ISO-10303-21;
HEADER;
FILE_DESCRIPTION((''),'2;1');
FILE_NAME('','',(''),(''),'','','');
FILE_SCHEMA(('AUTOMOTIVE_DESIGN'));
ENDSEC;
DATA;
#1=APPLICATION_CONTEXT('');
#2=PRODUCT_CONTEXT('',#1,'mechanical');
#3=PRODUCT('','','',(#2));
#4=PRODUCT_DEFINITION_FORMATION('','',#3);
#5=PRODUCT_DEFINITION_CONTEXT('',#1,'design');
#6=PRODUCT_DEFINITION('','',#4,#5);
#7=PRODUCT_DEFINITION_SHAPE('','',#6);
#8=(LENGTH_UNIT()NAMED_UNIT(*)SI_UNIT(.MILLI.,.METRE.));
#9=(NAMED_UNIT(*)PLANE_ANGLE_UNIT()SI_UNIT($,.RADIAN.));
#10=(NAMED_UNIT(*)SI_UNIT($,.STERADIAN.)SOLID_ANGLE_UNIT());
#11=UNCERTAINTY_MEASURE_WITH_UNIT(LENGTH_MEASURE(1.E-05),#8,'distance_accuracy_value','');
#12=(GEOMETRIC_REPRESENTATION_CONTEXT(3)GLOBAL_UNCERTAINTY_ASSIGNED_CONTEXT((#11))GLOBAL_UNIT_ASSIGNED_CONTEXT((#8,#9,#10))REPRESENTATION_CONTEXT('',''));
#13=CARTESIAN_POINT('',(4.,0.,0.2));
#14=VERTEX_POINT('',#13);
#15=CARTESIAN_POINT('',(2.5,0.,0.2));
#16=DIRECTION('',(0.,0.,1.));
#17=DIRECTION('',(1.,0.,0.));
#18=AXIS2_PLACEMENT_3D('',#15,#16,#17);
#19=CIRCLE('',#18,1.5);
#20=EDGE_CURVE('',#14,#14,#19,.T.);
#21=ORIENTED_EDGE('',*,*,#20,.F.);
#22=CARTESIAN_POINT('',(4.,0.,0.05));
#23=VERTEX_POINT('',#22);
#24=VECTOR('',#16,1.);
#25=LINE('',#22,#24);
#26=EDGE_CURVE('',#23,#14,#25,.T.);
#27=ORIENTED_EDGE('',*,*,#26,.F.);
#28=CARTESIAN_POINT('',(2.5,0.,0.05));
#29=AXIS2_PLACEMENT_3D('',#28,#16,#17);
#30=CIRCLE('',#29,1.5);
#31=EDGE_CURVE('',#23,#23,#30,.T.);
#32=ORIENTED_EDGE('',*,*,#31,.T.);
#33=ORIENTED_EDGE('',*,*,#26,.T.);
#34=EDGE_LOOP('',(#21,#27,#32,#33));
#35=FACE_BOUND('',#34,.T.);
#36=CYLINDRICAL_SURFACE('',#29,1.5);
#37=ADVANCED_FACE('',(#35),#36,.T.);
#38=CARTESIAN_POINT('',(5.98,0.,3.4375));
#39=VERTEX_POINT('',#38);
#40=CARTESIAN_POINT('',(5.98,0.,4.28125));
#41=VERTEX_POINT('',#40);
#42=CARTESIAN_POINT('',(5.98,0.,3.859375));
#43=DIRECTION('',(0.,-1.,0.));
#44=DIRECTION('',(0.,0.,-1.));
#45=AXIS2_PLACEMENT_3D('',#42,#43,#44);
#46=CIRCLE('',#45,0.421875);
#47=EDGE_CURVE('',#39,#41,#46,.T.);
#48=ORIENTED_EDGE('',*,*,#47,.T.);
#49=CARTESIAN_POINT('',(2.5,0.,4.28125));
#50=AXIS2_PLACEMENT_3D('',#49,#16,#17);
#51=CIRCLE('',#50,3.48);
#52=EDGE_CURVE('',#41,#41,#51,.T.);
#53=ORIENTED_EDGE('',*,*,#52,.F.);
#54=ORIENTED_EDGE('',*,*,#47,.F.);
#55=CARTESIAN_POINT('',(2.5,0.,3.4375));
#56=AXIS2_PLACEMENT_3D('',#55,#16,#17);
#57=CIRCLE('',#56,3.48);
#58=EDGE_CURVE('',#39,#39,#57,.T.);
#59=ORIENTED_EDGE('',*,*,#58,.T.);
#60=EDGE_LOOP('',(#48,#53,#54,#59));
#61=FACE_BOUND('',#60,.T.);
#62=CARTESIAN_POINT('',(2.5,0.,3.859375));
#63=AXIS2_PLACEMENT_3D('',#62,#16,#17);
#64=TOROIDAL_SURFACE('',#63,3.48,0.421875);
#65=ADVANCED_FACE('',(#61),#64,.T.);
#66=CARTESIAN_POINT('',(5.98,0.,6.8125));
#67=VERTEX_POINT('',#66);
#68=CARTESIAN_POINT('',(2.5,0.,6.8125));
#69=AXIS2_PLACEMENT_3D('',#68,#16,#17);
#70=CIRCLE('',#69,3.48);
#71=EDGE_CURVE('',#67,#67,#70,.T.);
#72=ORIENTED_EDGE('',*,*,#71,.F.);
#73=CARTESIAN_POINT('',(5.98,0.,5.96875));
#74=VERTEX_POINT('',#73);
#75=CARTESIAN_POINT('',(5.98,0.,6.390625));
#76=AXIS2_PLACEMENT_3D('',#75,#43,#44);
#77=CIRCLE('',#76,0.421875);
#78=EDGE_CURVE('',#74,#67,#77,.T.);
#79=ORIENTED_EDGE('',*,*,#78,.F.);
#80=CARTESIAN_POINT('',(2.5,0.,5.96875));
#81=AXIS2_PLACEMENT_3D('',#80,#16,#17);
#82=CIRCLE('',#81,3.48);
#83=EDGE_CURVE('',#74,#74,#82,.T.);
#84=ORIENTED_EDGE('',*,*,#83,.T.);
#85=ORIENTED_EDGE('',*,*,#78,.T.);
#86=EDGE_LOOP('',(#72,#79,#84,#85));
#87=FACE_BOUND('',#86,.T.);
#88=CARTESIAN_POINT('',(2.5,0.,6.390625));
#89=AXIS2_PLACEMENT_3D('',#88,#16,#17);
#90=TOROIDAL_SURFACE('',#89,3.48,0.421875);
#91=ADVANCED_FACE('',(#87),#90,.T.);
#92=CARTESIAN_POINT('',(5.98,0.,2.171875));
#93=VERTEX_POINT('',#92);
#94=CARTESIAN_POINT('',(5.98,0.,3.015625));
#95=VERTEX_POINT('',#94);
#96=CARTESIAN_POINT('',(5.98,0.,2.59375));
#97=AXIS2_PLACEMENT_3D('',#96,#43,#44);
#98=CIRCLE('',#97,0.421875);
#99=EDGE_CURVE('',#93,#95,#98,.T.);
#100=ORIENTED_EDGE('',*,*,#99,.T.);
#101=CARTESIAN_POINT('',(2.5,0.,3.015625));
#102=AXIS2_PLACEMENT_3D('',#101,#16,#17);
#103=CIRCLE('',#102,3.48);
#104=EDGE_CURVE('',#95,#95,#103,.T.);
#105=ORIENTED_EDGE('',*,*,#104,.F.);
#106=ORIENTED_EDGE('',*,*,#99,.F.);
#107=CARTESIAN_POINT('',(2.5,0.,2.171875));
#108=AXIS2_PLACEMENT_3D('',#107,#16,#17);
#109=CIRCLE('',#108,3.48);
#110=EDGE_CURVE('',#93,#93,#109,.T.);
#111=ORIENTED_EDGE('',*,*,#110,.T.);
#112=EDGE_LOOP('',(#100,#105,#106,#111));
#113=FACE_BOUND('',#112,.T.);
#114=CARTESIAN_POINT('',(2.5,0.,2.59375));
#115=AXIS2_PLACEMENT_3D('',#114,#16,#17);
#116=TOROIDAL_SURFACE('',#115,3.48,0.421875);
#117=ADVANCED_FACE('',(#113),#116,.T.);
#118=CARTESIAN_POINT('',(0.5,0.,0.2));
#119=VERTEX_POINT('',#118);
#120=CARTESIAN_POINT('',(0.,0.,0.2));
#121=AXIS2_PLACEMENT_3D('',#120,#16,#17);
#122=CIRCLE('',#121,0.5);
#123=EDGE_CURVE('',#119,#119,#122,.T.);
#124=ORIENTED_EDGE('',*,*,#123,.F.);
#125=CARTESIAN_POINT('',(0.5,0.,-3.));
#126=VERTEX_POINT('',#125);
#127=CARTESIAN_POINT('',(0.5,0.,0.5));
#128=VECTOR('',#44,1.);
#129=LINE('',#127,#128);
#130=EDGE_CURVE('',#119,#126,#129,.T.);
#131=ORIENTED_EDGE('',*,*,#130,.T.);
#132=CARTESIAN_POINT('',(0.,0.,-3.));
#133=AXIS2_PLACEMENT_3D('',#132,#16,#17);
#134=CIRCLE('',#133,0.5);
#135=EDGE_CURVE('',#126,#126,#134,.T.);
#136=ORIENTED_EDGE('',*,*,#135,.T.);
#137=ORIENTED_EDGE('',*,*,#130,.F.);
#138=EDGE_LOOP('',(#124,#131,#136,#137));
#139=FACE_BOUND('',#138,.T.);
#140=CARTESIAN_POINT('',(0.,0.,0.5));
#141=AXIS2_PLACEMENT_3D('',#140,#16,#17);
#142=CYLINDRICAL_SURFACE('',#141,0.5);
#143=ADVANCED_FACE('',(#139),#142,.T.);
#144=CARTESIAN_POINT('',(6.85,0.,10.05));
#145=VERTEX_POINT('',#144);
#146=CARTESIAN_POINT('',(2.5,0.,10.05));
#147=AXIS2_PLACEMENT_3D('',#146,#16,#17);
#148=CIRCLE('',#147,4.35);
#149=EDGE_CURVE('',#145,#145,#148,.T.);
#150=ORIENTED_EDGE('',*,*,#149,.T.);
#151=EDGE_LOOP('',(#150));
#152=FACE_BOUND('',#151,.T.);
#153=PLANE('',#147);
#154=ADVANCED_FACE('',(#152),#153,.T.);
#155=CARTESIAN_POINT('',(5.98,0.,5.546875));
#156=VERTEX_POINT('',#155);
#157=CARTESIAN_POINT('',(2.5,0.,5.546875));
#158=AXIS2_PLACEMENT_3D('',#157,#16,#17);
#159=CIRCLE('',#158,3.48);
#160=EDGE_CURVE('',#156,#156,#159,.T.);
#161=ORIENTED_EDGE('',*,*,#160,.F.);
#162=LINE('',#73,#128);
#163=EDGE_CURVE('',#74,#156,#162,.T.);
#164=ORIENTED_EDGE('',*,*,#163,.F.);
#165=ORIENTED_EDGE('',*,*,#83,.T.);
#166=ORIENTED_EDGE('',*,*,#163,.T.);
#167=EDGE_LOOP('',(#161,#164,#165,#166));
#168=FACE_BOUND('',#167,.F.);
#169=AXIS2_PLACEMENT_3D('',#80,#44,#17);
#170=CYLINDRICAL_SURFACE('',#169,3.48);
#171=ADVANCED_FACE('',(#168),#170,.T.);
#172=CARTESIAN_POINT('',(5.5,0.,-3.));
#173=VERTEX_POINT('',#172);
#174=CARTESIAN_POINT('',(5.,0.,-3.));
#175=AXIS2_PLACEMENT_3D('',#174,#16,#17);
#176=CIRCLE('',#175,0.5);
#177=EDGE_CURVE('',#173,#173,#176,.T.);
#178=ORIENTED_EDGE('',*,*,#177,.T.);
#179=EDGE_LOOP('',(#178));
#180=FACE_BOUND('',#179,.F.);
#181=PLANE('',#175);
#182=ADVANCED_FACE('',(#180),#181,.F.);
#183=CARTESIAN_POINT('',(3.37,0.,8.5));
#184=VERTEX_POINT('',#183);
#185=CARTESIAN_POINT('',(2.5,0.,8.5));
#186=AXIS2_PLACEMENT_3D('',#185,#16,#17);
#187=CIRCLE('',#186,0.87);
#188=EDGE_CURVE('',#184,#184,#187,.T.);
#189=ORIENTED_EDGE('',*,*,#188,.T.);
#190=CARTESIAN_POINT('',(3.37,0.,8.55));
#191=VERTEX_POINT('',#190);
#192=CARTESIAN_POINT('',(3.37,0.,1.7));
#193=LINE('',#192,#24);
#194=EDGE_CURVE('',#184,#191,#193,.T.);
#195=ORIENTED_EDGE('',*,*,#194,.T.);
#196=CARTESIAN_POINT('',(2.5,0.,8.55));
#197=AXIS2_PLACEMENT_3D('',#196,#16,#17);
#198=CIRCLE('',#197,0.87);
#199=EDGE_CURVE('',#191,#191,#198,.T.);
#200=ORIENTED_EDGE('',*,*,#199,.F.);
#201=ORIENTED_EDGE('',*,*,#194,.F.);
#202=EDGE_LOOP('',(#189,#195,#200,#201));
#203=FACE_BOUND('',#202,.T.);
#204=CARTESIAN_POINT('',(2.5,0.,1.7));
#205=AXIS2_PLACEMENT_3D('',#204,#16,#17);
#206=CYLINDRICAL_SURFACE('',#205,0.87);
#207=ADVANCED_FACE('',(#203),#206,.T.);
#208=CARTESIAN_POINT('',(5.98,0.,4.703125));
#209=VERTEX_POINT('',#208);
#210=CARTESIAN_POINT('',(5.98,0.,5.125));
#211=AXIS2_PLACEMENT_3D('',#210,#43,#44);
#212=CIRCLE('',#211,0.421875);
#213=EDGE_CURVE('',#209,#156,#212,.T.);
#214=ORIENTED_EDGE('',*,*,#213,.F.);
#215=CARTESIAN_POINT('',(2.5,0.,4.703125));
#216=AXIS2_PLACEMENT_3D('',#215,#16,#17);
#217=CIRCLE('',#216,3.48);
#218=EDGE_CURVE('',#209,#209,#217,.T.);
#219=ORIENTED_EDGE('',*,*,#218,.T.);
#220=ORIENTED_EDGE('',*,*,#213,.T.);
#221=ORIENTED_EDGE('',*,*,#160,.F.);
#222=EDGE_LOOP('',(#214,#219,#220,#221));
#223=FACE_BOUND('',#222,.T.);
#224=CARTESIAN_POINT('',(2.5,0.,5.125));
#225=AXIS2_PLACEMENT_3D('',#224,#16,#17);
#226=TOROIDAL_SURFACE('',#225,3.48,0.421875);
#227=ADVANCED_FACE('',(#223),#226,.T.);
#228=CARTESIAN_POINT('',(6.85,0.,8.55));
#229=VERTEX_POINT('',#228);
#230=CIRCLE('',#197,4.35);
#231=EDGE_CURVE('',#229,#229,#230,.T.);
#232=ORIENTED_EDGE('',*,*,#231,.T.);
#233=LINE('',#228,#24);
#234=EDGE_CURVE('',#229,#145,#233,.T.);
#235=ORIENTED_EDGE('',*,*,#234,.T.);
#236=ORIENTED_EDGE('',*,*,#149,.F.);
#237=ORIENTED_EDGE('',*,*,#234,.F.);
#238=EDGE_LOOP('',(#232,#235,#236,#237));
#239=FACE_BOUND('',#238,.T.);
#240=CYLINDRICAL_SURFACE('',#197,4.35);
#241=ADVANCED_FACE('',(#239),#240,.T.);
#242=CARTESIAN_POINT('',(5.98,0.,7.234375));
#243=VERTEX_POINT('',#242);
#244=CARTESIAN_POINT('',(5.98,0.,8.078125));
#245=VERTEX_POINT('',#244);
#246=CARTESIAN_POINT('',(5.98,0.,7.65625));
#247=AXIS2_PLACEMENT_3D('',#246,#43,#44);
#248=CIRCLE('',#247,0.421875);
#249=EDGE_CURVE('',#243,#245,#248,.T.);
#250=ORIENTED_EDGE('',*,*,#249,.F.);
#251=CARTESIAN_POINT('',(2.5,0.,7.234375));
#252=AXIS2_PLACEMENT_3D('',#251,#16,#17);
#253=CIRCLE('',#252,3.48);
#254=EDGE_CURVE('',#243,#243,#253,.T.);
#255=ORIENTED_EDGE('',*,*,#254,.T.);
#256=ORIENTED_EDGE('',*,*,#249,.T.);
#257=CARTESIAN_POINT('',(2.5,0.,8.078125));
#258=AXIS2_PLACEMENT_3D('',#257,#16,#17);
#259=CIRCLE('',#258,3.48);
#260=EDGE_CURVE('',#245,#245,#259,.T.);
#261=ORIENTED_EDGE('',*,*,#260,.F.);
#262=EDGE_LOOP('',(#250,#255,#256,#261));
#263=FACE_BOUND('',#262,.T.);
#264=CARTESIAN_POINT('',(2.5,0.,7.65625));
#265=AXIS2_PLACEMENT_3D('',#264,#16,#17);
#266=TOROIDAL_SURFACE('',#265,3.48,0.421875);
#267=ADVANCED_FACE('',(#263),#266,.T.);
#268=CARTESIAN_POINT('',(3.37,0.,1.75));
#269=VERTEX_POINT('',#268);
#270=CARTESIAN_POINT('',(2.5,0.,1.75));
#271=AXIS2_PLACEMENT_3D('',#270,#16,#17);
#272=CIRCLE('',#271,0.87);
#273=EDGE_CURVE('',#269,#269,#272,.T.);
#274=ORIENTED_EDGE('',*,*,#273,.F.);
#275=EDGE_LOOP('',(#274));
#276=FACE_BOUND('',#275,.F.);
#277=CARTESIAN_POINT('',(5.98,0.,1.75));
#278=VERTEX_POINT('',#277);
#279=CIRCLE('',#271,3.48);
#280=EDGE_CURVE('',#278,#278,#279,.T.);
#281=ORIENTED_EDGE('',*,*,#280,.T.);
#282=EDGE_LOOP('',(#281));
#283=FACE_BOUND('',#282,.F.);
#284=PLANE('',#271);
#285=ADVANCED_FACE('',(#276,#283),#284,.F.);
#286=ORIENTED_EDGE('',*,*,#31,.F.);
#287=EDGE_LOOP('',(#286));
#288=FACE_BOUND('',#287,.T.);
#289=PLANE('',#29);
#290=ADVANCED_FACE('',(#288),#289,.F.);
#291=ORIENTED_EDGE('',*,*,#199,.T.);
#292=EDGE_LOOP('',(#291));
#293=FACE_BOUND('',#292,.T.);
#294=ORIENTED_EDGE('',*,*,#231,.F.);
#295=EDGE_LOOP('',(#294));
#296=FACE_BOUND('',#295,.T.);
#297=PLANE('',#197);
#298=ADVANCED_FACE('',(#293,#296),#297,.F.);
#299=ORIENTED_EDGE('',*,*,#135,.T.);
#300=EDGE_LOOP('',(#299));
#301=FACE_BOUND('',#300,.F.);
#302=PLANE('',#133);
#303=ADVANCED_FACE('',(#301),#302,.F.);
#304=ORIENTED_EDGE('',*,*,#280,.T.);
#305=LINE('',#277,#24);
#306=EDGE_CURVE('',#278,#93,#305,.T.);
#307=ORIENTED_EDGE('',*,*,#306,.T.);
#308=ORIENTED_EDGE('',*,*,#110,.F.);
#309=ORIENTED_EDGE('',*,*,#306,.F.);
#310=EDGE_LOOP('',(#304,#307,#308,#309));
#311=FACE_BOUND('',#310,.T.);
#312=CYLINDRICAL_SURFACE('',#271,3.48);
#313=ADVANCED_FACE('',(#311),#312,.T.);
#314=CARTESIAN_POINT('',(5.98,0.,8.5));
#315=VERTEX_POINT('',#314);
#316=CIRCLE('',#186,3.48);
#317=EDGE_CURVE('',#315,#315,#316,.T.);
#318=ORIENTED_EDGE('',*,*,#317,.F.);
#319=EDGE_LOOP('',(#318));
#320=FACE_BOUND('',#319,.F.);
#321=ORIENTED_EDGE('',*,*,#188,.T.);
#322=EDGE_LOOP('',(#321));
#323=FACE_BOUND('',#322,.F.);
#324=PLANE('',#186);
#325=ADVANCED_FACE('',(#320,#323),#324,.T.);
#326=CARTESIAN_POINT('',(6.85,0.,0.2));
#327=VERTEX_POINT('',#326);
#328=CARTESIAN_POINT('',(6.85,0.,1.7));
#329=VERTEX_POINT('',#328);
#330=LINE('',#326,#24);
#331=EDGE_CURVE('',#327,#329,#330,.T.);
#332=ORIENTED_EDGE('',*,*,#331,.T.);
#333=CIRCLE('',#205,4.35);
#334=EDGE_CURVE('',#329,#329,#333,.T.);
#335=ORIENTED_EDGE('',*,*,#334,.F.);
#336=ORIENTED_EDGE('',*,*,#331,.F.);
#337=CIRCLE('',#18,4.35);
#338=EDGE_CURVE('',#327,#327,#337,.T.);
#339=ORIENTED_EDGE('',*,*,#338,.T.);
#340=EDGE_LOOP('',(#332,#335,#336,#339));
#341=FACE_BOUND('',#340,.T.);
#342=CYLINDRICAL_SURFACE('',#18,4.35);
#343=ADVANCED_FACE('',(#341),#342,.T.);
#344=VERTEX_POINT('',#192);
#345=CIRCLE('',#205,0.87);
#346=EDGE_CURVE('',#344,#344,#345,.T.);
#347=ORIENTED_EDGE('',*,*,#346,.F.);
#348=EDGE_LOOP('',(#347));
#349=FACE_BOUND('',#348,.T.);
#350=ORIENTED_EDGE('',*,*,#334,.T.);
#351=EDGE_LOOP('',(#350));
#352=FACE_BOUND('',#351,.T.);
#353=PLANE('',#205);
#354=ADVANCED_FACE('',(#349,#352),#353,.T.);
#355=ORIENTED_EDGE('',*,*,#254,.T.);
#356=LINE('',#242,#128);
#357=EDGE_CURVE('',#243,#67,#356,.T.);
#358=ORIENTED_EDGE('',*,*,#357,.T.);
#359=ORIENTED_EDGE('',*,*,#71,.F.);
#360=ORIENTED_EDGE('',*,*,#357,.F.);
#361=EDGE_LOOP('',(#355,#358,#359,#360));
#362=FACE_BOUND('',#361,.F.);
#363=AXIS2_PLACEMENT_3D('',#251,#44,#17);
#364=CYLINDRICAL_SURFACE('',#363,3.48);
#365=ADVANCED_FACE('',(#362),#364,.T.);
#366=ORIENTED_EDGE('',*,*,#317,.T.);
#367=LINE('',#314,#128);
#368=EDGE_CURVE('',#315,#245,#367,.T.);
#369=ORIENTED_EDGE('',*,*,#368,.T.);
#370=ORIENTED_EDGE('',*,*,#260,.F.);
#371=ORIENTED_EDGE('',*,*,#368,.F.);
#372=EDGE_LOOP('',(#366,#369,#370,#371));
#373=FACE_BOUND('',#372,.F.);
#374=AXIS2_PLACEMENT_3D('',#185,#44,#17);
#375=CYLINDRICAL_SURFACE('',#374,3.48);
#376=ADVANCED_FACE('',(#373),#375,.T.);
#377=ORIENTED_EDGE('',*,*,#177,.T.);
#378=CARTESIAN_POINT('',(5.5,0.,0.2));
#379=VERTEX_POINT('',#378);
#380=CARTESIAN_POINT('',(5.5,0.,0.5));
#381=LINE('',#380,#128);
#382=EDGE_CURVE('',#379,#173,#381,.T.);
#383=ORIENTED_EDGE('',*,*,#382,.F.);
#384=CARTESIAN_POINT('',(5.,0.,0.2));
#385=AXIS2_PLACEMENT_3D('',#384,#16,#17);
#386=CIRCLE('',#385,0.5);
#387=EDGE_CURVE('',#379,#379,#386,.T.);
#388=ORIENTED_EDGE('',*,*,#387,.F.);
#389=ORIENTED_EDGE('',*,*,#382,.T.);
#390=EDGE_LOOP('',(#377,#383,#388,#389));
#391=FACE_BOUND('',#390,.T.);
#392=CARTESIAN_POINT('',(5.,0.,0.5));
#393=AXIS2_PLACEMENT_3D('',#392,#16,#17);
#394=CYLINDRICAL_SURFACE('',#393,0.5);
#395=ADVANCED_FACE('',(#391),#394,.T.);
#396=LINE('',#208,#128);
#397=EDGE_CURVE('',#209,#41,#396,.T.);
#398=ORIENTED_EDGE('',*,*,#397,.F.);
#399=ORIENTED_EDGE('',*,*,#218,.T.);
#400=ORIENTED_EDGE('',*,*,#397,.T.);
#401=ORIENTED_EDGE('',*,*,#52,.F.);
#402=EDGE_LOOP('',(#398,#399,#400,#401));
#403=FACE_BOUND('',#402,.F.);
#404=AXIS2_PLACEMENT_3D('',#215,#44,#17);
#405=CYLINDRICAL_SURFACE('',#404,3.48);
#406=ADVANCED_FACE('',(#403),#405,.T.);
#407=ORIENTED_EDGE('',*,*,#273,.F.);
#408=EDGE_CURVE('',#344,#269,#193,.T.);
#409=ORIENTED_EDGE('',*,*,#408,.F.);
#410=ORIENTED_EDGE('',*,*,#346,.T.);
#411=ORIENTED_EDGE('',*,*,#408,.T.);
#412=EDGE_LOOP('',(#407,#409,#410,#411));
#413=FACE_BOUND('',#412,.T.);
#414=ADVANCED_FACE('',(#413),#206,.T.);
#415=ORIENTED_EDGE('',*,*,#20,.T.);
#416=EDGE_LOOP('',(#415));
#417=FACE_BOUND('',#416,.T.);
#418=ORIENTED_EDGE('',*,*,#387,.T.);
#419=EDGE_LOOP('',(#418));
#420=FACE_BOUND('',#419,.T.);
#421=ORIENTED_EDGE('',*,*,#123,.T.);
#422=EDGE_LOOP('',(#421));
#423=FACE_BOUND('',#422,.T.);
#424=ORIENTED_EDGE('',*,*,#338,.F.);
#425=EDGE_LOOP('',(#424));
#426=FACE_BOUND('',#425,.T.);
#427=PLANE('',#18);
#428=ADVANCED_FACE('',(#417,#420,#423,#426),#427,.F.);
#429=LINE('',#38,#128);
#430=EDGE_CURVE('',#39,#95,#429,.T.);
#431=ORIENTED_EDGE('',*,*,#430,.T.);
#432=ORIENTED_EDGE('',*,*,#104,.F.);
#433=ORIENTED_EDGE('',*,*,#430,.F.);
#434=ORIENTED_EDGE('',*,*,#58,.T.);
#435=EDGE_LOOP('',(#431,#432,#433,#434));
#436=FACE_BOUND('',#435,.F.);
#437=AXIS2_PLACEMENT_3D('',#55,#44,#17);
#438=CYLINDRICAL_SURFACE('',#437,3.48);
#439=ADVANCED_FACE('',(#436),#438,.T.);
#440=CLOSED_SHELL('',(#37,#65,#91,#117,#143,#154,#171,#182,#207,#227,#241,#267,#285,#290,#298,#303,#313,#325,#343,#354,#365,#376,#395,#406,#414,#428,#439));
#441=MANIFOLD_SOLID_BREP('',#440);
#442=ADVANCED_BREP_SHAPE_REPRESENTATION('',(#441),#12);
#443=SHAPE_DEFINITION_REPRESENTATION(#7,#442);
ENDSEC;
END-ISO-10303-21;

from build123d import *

# Parameters (mm, degrees)
SKETCH001_R  = 0.5
PAD001_DEPTH = 3.5


with BuildPart() as revolution:
    # Sketch → Revolution (revolve)
    with BuildSketch(Plane(origin=(2.5, 0, 0), x_dir=(1, 0, 0), z_dir=(0, -1, 0))):
        Polygon((0, 0.05), (1.5, 0.05), (1.5, 0.2), (4.35, 0.2), (4.35, 1.7), (0.87, 1.7), (0.87, 8.55), (4.35, 8.55), (4.35, 10.05), (0, 10.05), align=None)
    revolve(axis=Axis((2.5, 0, 0), (0, 0, 1)))


with BuildPart() as pad001:
    # Sketch001 → Pad001 (new body)
    with BuildSketch(Plane.XY.offset(0.5)):
        Circle(SKETCH001_R)
        with Locations((5, 0)):
            Circle(SKETCH001_R)
    extrude(amount=-PAD001_DEPTH)


with BuildPart() as l_radial_d8_7mm_p5_00mm_fastron_07hcp:
    # Sketch002 → Revolution001 (revolve)
    with BuildSketch(Plane(origin=(2.5, 0, 0), x_dir=(1, 0, 0), z_dir=(0, -1, 0))):
        with BuildLine():
            Line((3.48, 1.75), (0.87, 1.75))
            Line((0.87, 1.75), (0.87, 8.5))
            Line((0.87, 8.5), (3.48, 8.5))
            Line((3.48, 8.5), (3.48, 8.078125))
            ThreePointArc((3.48, 7.234375), (3.901875, 7.65625), (3.48, 8.078125))
            Line((3.48, 7.234375), (3.48, 6.8125))
            ThreePointArc((3.48, 5.96875), (3.901875, 6.390625), (3.48, 6.8125))
            Line((3.48, 5.96875), (3.48, 5.546875))
            ThreePointArc((3.48, 4.703125), (3.901875, 5.125), (3.48, 5.546875))
            Line((3.48, 4.703125), (3.48, 4.28125))
            ThreePointArc((3.48, 3.4375), (3.901875, 3.859375), (3.48, 4.28125))
            Line((3.48, 3.4375), (3.48, 3.015625))
            ThreePointArc((3.48, 2.171875), (3.901875, 2.59375), (3.48, 3.015625))
            Line((3.48, 1.75), (3.48, 2.171875))
        make_face()
    revolve(axis=Axis((2.5, 0, 0), (0, 0, 1)))

    # Revolution001_mp_cp: union Revolution, Pad001
    add(revolution.part)
    add(pad001.part)


solid = l_radial_d8_7mm_p5_00mm_fastron_07hcp.part
